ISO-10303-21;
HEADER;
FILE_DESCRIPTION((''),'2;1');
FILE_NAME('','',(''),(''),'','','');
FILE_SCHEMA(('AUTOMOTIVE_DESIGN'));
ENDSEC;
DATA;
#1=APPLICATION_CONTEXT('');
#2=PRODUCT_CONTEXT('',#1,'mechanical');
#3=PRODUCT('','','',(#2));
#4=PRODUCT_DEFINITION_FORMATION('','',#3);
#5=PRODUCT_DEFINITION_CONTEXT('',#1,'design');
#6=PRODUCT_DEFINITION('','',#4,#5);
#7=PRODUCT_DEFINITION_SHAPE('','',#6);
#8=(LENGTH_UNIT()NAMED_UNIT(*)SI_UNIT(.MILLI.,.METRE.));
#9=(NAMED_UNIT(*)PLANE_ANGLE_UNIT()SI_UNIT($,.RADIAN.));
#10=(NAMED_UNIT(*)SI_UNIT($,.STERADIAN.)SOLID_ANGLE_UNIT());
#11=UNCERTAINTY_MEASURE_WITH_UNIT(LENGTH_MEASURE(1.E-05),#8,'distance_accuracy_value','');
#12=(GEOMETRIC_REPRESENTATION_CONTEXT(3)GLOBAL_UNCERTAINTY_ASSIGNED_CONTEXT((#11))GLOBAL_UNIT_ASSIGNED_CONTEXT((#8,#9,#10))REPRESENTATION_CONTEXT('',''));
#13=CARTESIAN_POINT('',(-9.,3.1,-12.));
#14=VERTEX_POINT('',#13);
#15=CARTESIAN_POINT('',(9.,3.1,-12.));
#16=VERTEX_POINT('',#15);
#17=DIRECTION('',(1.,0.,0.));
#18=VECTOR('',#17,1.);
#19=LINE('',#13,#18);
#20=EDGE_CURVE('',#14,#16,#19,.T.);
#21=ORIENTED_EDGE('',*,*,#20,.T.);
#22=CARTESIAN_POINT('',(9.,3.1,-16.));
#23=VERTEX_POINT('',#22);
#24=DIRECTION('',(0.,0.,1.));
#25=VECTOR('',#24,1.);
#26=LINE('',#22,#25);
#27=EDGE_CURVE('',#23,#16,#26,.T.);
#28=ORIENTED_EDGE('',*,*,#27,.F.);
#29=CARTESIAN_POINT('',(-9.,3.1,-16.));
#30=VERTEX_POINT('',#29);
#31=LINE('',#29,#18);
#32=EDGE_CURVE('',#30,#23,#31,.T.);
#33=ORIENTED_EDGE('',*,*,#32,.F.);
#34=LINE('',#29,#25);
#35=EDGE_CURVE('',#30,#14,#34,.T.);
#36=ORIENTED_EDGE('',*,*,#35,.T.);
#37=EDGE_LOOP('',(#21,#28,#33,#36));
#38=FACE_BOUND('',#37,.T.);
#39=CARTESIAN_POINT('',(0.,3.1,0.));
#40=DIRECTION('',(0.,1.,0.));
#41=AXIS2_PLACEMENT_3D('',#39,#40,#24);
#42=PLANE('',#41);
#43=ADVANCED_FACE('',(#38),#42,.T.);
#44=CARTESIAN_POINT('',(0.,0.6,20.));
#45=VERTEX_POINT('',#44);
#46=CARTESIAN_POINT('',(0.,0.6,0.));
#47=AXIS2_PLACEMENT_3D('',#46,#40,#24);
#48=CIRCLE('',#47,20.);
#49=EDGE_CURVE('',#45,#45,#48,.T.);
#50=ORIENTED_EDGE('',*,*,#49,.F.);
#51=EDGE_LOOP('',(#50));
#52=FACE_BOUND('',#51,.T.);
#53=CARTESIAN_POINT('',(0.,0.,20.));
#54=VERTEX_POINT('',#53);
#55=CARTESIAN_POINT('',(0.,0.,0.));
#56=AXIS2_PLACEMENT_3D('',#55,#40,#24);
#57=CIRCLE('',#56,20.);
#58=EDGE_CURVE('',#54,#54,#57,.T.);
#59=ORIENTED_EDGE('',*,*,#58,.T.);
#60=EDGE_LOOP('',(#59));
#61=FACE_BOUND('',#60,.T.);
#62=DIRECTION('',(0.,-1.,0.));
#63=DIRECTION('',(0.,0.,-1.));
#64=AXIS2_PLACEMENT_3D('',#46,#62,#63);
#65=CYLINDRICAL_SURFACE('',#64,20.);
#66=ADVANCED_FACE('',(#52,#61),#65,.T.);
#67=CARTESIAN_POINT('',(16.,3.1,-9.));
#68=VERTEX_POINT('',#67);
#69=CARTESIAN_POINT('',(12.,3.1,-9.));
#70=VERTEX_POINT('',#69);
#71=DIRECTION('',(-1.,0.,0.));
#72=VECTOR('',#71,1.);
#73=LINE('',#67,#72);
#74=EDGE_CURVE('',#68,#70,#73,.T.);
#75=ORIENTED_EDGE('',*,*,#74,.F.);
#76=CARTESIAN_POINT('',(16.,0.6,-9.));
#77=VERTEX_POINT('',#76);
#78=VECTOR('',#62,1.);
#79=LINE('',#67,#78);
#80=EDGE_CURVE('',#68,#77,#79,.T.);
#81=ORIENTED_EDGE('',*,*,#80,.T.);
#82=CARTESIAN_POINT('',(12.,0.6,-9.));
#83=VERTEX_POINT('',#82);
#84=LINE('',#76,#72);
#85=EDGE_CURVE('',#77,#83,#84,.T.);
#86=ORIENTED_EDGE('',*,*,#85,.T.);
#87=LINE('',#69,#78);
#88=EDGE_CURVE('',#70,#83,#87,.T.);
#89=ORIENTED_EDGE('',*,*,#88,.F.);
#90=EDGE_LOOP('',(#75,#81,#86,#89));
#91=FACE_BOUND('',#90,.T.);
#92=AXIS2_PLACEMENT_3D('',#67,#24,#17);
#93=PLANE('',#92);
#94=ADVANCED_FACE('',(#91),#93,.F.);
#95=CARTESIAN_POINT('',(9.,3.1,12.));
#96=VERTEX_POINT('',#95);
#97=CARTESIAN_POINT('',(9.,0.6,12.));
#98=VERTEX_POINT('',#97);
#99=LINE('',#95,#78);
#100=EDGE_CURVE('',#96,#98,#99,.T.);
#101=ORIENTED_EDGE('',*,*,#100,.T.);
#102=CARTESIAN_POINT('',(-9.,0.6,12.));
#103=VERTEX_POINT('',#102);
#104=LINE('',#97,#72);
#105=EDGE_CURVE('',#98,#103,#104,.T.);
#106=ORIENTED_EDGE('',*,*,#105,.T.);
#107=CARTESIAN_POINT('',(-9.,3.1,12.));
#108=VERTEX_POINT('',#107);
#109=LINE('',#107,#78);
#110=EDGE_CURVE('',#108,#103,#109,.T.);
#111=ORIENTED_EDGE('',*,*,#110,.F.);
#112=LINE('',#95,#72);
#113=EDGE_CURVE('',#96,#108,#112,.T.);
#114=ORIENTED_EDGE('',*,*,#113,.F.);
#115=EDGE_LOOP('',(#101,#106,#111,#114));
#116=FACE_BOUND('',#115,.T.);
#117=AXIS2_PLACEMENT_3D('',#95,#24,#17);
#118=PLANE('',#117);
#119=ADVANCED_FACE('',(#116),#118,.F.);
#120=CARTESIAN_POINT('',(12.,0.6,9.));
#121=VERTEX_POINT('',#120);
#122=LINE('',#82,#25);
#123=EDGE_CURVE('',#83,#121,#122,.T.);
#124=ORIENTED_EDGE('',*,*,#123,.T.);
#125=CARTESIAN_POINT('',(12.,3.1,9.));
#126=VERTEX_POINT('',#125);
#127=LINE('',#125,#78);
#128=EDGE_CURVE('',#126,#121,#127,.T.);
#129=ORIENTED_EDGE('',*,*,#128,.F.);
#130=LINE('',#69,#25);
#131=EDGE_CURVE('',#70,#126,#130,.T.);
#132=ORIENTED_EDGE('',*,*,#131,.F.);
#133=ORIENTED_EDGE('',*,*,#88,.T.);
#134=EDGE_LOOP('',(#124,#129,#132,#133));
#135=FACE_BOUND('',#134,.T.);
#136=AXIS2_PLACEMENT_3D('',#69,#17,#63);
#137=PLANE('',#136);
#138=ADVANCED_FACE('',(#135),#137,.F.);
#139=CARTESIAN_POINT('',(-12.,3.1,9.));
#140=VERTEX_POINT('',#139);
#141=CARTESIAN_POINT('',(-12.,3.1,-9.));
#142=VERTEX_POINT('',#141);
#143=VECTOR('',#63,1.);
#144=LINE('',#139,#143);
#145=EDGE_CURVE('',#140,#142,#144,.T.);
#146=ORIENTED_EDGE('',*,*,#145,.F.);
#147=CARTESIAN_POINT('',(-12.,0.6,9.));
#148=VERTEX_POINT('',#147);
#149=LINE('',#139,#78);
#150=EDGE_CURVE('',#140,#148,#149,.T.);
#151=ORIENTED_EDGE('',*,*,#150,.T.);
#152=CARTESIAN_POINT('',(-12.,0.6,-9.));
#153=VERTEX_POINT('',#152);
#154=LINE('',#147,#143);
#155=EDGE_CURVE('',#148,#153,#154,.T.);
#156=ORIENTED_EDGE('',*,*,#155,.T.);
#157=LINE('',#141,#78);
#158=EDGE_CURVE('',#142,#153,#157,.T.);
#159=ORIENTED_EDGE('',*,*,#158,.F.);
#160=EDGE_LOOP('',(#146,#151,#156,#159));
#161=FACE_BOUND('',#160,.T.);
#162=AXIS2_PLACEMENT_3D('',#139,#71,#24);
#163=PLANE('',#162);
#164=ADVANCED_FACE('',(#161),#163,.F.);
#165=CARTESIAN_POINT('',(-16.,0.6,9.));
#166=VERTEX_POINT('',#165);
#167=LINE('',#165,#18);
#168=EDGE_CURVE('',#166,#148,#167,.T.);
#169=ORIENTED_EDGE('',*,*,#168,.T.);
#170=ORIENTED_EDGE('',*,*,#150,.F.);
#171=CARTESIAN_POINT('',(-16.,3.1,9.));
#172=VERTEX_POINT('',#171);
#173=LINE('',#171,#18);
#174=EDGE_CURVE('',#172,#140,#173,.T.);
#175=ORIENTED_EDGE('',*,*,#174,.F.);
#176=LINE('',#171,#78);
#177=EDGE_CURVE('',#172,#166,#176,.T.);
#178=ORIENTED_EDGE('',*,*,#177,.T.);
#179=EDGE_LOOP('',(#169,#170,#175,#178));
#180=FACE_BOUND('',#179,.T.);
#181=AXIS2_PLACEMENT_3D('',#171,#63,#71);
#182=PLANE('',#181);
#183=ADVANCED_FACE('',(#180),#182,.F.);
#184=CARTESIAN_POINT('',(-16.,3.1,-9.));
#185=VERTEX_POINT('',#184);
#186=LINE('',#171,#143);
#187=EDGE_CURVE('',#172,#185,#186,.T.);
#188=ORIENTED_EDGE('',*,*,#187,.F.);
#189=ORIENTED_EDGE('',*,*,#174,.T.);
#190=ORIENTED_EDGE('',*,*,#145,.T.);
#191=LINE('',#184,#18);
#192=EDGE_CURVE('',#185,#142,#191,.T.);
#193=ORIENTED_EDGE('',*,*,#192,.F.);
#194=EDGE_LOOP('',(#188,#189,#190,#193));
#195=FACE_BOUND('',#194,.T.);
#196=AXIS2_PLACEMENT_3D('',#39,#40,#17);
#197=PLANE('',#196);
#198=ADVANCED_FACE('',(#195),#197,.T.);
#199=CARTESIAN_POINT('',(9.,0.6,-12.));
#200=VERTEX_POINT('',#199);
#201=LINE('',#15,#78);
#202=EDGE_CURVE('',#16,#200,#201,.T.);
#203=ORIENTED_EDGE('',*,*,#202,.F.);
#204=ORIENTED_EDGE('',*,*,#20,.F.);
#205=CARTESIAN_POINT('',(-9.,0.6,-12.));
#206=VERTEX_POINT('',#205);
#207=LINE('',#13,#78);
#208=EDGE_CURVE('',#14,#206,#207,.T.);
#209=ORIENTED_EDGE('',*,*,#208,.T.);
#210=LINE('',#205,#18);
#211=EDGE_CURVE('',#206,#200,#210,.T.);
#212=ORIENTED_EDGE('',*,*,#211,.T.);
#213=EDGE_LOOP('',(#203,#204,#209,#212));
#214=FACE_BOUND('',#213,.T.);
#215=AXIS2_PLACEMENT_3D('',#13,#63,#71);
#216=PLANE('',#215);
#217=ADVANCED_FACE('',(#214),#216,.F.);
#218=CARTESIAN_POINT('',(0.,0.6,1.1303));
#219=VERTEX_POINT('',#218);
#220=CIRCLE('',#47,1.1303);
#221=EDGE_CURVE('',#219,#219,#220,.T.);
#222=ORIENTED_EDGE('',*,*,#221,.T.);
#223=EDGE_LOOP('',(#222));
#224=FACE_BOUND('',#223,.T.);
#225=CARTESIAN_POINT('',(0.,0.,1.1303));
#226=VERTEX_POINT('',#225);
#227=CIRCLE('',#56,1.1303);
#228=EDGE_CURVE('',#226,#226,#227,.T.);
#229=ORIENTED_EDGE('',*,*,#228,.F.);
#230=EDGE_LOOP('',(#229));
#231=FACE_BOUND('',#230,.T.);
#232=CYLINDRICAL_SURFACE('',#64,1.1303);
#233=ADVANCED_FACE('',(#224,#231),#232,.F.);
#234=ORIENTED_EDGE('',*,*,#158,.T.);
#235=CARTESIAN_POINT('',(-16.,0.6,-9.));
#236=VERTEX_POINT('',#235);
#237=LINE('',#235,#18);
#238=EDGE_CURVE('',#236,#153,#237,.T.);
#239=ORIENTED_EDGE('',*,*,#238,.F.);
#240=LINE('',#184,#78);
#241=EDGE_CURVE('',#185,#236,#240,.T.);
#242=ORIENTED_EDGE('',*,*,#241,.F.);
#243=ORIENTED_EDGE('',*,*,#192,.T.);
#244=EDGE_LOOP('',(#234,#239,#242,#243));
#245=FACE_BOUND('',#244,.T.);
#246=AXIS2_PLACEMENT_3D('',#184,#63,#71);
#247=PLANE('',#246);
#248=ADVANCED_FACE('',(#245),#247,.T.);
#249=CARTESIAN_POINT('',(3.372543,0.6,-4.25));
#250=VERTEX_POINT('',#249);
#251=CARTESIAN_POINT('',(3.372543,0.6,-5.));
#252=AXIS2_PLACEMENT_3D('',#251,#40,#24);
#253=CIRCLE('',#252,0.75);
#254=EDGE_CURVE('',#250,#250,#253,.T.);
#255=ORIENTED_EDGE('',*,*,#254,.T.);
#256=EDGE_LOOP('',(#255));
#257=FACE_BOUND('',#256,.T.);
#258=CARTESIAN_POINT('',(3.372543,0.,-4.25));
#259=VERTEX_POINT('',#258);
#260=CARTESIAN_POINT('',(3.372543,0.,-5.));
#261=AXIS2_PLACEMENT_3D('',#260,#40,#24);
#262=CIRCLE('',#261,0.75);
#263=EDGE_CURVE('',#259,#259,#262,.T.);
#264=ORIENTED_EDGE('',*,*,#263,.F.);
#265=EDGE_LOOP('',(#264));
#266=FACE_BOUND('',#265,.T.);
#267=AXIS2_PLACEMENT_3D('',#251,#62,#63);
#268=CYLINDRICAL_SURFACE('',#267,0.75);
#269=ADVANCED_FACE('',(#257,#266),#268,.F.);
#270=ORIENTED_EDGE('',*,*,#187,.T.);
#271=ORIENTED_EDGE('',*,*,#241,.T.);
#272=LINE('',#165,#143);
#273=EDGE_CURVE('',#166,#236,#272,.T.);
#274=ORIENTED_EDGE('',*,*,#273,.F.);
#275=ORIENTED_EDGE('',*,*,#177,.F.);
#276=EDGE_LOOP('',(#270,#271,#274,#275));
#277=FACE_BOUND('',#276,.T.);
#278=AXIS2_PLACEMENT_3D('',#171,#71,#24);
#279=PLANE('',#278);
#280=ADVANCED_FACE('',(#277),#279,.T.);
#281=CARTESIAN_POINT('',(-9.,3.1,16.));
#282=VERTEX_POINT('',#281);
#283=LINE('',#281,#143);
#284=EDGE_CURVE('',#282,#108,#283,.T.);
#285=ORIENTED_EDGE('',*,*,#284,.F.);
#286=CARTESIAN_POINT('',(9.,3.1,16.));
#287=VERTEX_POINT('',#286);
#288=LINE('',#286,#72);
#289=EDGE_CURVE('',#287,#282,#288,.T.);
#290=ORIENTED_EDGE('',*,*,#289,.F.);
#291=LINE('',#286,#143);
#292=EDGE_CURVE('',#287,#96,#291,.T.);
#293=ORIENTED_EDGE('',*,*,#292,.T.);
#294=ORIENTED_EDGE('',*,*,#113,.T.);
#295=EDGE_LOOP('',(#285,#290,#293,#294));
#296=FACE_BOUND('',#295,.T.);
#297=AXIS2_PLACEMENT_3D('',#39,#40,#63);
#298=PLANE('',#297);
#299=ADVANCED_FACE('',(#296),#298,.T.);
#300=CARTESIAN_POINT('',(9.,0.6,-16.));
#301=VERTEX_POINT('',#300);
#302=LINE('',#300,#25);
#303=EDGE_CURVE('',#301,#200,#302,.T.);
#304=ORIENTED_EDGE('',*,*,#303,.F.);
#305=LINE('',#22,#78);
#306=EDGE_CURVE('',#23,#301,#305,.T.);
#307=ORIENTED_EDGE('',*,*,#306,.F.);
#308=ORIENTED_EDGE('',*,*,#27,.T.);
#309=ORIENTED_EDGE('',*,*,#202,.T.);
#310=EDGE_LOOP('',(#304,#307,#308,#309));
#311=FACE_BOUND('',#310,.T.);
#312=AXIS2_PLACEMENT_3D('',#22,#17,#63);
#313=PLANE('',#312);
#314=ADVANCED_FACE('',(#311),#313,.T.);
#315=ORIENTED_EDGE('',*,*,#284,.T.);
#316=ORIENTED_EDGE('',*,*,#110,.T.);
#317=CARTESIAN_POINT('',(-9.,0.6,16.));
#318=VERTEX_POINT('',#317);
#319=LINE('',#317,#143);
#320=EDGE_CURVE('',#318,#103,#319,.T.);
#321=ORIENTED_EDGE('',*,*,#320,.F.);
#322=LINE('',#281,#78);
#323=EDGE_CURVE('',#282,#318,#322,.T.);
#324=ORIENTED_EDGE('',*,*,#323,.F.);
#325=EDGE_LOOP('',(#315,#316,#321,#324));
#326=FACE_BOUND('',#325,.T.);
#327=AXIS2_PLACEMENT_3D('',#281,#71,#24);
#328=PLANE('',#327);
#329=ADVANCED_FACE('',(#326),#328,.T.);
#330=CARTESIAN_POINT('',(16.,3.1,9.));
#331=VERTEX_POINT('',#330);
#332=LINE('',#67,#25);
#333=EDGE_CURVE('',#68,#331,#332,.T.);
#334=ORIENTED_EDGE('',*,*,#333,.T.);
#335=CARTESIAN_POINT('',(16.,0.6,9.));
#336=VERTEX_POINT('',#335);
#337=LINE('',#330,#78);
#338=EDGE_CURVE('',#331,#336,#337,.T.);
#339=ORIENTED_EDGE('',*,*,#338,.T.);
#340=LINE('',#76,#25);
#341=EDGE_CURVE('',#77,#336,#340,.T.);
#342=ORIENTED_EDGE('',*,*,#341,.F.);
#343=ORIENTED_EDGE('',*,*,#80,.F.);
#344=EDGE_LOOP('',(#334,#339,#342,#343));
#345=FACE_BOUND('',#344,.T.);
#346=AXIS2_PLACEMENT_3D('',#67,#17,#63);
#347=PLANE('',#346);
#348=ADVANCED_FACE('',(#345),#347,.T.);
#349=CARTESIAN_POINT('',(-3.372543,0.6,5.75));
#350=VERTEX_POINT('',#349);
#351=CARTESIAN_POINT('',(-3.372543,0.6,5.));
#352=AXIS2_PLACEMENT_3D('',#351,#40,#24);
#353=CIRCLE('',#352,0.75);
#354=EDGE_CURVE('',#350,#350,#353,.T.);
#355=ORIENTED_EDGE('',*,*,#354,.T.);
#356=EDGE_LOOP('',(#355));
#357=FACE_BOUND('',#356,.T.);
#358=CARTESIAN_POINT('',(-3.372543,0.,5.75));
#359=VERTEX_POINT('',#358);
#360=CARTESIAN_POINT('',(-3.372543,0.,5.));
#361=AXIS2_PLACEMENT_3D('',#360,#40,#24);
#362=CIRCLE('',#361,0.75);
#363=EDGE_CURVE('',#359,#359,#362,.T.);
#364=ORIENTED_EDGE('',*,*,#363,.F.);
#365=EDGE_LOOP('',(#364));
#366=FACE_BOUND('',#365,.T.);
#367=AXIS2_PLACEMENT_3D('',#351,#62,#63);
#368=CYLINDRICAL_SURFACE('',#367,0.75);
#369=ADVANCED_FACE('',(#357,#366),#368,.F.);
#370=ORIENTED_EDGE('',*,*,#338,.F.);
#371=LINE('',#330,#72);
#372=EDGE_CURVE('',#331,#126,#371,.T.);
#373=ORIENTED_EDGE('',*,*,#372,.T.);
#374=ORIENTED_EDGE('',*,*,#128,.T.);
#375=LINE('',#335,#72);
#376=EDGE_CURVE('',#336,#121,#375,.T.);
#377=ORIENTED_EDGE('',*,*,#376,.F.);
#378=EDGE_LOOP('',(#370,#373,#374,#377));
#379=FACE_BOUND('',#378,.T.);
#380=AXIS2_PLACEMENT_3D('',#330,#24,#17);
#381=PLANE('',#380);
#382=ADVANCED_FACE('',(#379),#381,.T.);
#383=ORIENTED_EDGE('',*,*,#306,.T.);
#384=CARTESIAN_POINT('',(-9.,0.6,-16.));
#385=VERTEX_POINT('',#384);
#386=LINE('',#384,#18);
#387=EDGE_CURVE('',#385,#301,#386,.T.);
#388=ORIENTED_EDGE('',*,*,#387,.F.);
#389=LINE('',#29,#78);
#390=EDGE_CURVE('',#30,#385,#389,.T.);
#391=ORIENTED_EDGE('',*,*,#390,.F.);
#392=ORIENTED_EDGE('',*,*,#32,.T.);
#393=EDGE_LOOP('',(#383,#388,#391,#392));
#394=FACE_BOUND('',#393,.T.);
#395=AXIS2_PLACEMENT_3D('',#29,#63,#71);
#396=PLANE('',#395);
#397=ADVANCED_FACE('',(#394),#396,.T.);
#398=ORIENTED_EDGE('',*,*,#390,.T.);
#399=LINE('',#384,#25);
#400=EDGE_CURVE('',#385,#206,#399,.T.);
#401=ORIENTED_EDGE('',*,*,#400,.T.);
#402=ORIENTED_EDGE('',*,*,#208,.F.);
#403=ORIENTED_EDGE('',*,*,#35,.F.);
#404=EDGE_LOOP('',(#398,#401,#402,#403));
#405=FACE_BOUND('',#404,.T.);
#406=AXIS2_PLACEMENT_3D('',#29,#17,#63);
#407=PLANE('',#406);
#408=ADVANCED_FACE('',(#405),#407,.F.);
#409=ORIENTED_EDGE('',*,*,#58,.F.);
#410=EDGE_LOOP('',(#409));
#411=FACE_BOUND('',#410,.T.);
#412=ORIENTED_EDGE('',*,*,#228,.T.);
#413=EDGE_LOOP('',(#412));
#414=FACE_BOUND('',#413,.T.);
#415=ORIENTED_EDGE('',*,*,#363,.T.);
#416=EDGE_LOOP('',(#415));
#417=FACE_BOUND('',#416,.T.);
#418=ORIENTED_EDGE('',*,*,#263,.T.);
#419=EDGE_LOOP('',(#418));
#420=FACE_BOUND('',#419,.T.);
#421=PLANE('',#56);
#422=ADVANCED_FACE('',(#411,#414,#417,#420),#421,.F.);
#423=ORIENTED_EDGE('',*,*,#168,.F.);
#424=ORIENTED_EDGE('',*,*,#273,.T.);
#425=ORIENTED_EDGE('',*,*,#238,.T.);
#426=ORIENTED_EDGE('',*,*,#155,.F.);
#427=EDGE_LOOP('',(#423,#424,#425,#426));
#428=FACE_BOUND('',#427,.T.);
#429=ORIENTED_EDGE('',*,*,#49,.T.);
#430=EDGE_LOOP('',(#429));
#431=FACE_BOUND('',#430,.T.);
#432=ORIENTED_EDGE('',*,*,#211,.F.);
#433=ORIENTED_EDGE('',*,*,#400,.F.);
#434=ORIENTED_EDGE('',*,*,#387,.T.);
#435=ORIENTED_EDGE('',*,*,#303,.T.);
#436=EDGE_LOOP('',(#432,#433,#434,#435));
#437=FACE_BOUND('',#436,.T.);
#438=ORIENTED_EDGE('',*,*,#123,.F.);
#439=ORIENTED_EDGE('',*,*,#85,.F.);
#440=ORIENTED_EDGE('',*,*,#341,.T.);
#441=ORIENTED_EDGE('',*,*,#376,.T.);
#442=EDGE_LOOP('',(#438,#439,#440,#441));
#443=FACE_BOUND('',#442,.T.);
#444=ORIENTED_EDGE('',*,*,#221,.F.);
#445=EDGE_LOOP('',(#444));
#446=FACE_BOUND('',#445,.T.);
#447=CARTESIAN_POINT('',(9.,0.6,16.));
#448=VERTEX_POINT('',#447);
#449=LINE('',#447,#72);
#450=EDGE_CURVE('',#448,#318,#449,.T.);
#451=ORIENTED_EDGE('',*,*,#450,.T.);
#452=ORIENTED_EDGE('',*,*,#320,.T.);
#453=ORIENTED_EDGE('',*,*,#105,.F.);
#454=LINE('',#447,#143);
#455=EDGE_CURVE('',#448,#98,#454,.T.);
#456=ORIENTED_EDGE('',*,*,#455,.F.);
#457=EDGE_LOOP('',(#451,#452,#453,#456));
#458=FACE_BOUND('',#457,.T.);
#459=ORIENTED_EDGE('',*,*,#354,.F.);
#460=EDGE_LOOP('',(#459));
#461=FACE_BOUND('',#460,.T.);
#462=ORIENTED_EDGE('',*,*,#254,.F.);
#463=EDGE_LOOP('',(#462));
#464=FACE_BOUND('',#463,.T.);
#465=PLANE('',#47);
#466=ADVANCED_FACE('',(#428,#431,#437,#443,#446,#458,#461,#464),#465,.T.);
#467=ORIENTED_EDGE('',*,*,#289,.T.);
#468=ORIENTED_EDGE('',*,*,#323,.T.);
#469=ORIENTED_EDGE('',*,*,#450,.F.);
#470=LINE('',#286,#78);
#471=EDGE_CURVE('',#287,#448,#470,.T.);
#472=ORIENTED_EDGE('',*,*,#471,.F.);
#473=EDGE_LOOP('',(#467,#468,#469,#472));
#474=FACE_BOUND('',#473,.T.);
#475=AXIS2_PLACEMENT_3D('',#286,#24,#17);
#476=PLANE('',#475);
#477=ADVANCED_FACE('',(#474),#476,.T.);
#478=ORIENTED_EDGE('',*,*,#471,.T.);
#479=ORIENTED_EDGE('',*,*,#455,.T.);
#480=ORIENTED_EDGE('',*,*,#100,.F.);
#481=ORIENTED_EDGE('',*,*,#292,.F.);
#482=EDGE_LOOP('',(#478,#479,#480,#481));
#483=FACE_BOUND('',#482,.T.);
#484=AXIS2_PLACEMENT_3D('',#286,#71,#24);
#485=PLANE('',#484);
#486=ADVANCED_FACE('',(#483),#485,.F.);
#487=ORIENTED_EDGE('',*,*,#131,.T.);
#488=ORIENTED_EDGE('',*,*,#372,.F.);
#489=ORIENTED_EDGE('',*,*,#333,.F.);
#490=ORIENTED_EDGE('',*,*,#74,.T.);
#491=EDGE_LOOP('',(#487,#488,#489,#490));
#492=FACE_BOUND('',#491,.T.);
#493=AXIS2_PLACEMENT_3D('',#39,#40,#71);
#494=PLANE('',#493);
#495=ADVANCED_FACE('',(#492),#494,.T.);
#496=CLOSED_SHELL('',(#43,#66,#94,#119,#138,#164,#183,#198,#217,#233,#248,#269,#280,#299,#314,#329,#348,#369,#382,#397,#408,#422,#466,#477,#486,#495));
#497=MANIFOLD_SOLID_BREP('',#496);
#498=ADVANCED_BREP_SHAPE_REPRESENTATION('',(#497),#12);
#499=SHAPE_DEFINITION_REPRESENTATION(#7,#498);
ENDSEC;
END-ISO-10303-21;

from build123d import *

# Parameters (mm, degrees)
SKETCH1_R                    = 20
SKETCH1_R_2                  = 1.1303
SKETCH1_R_3                  = 0.75
PCB_DEPTH                    = 0.6
SKETCH2_W                    = 18
SKETCH2_H                    = 4
HIROSE_CONNECTOR_STACK_DEPTH = 2.5
CIRPATTERN1_COUNT            = 4


with BuildPart() as part:
    # Sketch1 → PCB (new body)
    with BuildSketch(Plane(origin=(0, 0, 0), x_dir=(1, 0, 0), z_dir=(0, 1, 0))):
        with Locations(Location((0, 0, 0), (0, 0, 270))):
            Circle(SKETCH1_R)
        with Locations(Location((0, 0, 0), (0, 0, 270))):
            Circle(SKETCH1_R_2, mode=Mode.SUBTRACT)
        with Locations(Location((3.372542584, 5, 0), (0, 0, 270))):
            Circle(SKETCH1_R_3, mode=Mode.SUBTRACT)
        with Locations(Location((-3.372542584, -5, 0), (0, 0, 270))):
            Circle(SKETCH1_R_3, mode=Mode.SUBTRACT)
    extrude(amount=PCB_DEPTH)

    # Sketch2 → Hirose Connector Stack (add)
    with BuildSketch(Plane(origin=(0, 0.6, 0), x_dir=(1, 0, 0), z_dir=(0, 1, 0))):
        with Locations((0, 14)):
            Rectangle(SKETCH2_W, SKETCH2_H)
    hirose_connector_stack = extrude(amount=HIROSE_CONNECTOR_STACK_DEPTH)

    # CirPattern1: Hirose Connector Stack ×4 about axis
    cirpattern1_axis = Axis((0, 0, 0), (0, 1, 0))
    for i in range(1, CIRPATTERN1_COUNT):
        add(hirose_connector_stack.rotate(cirpattern1_axis, i * 360 / CIRPATTERN1_COUNT))


solid = part.part
